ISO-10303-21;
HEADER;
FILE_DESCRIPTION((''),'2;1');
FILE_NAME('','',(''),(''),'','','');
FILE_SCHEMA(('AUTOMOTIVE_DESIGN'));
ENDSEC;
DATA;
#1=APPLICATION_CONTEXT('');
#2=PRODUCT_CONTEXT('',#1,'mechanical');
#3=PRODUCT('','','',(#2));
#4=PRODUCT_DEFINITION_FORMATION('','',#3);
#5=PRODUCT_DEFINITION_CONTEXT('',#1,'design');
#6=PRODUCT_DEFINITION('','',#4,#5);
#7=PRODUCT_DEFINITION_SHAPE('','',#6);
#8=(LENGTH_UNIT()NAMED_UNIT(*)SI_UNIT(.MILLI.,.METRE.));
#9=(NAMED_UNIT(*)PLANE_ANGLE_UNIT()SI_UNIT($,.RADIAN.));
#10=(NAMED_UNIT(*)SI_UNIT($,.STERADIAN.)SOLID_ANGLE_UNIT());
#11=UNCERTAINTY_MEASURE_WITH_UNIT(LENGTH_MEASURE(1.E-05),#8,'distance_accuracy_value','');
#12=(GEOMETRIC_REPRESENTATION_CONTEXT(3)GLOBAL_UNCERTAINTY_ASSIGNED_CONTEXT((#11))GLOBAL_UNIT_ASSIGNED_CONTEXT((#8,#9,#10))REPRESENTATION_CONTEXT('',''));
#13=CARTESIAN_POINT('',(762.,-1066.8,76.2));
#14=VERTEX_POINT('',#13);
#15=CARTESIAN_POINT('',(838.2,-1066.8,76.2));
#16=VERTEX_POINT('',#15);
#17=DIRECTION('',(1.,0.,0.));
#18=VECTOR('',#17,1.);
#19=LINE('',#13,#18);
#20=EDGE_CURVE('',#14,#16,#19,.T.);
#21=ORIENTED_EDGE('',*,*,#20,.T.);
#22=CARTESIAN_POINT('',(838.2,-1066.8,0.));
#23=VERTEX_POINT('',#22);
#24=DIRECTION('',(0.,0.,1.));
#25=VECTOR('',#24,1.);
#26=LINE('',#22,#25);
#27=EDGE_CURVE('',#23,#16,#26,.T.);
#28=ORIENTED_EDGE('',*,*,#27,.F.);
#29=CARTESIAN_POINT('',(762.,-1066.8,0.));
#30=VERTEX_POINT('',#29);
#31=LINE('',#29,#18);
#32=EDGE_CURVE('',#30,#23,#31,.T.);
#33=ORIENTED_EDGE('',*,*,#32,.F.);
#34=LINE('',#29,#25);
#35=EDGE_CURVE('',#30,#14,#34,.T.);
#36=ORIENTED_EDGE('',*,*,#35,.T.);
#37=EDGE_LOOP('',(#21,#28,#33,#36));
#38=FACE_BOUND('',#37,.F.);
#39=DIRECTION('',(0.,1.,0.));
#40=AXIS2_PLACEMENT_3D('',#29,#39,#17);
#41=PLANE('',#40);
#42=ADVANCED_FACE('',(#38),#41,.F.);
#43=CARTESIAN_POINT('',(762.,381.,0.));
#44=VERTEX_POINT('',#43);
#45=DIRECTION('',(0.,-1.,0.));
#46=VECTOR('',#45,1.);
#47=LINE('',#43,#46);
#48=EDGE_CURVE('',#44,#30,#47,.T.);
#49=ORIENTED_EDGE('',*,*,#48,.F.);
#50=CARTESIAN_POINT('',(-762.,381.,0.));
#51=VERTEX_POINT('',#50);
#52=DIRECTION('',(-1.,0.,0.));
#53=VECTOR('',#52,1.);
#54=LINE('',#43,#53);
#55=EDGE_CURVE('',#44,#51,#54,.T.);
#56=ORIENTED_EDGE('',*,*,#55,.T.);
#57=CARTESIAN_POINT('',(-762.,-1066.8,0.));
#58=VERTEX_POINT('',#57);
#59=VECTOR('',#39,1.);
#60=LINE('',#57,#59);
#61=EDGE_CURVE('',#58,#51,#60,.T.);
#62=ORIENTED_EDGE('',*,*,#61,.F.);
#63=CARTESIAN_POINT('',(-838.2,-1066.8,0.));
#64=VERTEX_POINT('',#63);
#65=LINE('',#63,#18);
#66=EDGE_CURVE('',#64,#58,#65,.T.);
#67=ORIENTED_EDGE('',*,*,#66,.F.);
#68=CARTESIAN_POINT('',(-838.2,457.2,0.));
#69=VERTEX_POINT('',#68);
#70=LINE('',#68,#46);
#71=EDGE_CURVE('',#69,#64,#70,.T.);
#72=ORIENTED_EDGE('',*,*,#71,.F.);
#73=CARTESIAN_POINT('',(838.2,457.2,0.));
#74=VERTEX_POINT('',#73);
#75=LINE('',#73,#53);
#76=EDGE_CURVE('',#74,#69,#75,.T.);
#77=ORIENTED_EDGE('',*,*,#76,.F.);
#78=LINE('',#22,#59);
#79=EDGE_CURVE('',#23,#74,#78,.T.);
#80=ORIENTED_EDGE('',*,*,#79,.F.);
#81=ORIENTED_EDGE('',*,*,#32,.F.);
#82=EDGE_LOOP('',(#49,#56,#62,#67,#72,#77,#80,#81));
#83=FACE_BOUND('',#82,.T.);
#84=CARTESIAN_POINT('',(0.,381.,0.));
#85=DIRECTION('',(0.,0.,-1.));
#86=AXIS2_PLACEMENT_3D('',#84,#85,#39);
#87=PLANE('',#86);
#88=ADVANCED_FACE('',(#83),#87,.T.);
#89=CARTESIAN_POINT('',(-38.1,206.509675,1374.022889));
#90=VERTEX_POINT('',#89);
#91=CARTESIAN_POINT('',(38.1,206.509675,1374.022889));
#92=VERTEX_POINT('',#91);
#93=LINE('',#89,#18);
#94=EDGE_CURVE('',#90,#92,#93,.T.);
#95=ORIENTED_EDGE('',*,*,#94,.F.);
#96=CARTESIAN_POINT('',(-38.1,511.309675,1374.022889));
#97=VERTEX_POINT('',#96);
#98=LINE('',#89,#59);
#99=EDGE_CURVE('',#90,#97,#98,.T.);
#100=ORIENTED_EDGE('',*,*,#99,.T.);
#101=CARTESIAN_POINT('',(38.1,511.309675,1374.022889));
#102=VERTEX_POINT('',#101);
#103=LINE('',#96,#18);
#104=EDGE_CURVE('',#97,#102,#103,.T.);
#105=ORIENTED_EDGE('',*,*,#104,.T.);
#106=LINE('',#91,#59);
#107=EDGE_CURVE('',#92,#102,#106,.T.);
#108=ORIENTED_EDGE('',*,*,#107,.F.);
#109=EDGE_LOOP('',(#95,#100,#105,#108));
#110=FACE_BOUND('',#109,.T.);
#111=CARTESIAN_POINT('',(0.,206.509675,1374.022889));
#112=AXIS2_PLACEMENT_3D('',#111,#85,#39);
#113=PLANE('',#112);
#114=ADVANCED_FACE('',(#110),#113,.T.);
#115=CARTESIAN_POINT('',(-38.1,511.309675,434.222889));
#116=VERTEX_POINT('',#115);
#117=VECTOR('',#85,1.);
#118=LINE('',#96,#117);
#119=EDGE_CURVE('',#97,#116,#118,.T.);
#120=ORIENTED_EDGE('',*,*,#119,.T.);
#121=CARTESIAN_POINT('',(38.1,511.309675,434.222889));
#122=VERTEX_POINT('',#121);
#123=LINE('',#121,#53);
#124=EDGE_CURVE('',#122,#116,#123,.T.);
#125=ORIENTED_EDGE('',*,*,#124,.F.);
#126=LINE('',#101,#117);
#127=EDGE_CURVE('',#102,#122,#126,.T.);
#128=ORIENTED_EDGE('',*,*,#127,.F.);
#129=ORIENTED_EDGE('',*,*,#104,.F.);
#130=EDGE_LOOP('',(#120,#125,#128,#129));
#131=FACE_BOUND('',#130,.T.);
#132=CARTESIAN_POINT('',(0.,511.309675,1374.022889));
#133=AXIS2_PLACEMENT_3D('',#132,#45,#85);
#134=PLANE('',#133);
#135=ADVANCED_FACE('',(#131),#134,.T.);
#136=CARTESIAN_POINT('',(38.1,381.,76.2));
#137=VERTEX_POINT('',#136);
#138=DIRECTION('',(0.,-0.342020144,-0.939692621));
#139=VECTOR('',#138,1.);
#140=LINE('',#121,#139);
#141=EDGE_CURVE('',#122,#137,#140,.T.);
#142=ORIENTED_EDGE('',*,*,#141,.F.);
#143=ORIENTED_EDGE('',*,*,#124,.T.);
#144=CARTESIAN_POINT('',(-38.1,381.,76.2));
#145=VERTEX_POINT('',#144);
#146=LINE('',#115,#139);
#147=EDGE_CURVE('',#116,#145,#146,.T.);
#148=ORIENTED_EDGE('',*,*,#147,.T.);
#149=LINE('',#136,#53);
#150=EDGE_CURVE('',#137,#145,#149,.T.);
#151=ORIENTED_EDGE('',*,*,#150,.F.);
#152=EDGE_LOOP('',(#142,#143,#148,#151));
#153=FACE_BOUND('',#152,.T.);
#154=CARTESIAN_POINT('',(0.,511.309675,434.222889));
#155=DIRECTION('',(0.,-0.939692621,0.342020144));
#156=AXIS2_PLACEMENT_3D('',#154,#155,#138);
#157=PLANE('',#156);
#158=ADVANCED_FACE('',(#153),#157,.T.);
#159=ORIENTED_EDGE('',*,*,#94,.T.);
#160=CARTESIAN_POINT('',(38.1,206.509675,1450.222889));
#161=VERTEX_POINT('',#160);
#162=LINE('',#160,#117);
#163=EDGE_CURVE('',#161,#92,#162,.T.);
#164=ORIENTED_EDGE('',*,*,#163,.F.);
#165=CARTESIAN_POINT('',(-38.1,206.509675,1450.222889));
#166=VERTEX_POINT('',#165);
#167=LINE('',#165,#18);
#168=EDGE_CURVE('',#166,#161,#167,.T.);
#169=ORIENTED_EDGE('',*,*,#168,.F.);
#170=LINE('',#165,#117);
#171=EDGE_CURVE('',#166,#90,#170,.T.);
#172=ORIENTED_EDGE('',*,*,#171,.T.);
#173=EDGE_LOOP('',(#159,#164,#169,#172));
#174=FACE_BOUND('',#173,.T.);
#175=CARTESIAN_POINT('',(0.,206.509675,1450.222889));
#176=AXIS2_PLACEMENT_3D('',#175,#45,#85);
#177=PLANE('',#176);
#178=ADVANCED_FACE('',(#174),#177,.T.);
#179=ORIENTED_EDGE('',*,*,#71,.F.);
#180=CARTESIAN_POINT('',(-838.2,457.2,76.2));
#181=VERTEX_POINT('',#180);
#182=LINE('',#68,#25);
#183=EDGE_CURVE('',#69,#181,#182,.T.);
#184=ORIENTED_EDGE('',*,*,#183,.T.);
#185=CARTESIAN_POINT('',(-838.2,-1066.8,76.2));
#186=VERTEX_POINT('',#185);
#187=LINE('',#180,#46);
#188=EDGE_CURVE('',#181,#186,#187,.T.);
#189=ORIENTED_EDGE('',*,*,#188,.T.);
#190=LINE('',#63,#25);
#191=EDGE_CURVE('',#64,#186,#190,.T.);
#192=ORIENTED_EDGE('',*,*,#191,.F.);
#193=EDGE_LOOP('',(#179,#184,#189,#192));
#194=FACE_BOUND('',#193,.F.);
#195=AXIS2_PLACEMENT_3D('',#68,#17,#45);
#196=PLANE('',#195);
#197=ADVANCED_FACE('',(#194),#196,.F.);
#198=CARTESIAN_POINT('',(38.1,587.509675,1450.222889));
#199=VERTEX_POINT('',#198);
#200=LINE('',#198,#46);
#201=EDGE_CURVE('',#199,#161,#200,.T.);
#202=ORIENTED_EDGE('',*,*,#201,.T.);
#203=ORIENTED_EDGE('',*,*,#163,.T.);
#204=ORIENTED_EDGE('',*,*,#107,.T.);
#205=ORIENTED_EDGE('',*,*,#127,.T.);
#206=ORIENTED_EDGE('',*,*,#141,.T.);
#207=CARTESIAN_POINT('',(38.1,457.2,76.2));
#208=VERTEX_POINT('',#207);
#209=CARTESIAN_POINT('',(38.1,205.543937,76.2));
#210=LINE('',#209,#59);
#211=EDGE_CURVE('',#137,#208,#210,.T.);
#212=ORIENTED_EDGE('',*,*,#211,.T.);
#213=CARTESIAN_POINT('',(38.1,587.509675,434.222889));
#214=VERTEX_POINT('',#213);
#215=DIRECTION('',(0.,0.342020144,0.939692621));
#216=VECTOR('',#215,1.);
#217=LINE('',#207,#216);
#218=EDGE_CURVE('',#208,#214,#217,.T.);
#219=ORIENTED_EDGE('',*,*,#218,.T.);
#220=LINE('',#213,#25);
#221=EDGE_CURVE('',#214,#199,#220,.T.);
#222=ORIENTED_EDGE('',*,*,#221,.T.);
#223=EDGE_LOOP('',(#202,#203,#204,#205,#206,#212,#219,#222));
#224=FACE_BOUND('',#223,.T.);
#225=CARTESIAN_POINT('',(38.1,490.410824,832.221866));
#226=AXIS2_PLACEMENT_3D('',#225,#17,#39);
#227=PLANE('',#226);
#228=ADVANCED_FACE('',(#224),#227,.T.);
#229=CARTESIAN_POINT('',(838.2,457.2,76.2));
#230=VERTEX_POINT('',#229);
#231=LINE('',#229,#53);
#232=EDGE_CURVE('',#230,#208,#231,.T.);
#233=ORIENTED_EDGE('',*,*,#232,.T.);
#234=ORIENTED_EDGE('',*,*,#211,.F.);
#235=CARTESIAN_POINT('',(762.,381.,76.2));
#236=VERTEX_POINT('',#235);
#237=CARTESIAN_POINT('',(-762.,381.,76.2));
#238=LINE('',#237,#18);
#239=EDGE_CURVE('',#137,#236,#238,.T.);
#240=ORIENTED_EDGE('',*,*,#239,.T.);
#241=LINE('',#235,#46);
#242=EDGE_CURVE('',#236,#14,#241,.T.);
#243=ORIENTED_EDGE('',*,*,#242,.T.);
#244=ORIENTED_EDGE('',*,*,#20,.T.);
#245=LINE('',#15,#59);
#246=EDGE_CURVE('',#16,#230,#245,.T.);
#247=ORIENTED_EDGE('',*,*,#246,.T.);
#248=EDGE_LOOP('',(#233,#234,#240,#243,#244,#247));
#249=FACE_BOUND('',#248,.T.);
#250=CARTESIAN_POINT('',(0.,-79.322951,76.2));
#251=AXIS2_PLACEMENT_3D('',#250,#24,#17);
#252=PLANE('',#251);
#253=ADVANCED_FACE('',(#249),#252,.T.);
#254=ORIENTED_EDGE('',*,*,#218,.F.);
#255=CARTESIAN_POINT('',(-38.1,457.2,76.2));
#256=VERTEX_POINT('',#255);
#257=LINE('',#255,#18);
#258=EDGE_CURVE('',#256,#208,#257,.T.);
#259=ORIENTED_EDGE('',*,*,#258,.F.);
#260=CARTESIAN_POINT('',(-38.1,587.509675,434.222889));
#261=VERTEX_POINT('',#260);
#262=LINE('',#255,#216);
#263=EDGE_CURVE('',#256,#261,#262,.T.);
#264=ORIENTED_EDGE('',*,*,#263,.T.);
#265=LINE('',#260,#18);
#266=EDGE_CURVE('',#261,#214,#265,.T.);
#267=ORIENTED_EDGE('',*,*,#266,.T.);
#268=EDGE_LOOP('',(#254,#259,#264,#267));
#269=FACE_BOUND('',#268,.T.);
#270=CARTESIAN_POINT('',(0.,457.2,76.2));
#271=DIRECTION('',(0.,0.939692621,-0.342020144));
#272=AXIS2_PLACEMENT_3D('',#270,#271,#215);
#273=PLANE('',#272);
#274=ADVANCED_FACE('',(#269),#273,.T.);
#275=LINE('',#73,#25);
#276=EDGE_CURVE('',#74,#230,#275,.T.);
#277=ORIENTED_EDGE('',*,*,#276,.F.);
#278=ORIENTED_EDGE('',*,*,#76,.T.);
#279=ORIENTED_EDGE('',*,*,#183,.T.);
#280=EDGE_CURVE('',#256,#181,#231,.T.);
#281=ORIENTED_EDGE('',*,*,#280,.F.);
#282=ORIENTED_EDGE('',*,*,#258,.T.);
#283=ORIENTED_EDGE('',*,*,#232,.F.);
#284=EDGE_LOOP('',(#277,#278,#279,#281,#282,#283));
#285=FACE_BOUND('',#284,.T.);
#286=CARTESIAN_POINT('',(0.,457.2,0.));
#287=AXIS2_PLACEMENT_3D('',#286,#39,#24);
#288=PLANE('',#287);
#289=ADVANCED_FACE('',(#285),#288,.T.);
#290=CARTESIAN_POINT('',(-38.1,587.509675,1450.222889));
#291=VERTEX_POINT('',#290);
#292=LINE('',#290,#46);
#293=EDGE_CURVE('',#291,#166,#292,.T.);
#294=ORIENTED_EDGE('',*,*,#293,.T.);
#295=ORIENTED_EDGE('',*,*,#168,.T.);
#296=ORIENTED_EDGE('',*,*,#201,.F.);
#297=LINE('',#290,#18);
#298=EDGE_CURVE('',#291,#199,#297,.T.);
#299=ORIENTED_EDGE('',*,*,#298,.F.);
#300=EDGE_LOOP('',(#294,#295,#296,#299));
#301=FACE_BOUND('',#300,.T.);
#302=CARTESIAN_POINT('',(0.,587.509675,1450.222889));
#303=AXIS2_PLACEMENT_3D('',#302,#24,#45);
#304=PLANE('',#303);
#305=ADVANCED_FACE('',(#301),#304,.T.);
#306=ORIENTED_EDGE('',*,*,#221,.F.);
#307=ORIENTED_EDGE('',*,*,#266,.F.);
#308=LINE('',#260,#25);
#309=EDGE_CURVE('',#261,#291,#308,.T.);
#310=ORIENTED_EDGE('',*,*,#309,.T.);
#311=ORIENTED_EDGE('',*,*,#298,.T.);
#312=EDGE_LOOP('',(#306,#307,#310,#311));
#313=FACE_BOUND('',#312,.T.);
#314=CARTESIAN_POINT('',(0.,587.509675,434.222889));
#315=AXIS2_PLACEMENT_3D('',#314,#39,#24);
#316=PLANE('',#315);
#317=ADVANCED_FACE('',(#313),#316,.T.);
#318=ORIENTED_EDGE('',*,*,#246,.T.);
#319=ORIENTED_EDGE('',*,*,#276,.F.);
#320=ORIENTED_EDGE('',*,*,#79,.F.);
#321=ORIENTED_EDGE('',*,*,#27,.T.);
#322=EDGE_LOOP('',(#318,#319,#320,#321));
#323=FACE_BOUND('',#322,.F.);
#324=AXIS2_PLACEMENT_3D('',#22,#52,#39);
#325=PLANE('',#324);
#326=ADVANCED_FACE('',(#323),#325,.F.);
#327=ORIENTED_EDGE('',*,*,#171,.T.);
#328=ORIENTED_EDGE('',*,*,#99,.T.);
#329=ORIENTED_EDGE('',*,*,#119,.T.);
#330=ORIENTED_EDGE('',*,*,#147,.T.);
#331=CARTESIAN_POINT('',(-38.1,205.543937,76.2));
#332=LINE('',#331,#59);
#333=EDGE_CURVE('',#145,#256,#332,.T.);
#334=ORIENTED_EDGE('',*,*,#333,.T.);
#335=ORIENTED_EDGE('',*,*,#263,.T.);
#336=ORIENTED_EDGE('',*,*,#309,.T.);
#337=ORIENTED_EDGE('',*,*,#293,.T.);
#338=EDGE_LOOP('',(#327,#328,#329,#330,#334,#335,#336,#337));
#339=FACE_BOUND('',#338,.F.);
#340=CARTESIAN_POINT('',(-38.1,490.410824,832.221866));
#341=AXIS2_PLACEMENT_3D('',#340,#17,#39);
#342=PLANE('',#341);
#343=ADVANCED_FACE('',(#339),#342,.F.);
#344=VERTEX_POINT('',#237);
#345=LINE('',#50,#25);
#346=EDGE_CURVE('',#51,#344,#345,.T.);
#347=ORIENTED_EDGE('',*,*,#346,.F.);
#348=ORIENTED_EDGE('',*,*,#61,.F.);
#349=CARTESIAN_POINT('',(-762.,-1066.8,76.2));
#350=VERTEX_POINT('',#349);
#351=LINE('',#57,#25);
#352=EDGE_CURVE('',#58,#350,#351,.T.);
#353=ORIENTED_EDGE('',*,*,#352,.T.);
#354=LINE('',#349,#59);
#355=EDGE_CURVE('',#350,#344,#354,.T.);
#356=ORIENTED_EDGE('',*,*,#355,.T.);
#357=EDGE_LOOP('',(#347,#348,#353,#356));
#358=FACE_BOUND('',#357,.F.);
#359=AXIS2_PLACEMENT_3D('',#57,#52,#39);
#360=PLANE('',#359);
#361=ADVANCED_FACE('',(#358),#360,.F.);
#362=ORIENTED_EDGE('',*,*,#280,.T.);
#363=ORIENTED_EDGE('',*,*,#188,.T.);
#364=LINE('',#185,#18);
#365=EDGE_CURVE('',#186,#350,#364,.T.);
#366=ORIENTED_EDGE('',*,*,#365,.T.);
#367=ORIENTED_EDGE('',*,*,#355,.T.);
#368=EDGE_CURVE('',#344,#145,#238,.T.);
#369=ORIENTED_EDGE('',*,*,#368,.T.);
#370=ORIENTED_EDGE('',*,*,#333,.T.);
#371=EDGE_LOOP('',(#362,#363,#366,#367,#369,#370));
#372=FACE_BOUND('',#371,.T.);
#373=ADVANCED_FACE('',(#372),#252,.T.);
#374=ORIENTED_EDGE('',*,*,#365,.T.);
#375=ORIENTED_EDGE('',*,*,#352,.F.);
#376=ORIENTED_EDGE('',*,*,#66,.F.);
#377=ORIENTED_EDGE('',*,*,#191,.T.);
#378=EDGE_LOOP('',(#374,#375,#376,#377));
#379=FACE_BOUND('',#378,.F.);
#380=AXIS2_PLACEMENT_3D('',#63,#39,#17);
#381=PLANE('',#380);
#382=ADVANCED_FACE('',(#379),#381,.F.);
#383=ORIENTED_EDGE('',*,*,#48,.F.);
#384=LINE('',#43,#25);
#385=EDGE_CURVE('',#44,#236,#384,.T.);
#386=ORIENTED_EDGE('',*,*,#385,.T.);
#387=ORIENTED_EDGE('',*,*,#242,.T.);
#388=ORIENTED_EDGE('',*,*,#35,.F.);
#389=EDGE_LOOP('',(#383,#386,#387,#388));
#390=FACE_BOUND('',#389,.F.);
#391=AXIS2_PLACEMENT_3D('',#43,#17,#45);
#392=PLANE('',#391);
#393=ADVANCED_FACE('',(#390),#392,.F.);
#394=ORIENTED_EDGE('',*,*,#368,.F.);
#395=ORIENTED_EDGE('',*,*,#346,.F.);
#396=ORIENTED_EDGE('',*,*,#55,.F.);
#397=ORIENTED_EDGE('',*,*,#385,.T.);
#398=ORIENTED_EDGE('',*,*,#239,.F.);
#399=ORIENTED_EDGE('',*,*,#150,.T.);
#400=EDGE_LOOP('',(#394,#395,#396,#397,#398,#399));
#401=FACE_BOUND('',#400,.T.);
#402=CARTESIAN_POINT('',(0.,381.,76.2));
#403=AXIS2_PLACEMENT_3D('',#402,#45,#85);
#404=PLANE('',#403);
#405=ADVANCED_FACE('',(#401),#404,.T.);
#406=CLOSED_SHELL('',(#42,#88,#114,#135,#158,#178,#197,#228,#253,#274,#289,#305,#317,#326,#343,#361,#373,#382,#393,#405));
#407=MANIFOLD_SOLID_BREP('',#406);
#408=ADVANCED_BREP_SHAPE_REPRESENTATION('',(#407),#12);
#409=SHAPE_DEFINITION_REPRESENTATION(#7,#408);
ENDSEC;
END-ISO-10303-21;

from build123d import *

# Parameters (mm, degrees)
F1_DEPTH = 76.2
F3_DEPTH = 38.1


with BuildPart() as f1:
    # F0 (on Top) → F1 (new body)
    with BuildSketch(Plane.XY):
        Polygon((-838.2, 457.2), (-838.2, -1066.8), (-762, -1066.8), (-762, 381), (762, 381), (762, -1066.8), (838.2, -1066.8), (838.2, 457.2), align=None)
    extrude(amount=F1_DEPTH)

    # F2 (on Right) → F3 (join, symmetric)
    with BuildSketch(Plane.YZ):
        Polygon((381, 0), (457.2, 0), (457.2, 76.2), (587.509675, 434.222889), (587.509675, 1450.222889), (206.509675, 1450.222889), (206.509675, 1374.022889), (511.309675, 1374.022889), (511.309675, 434.222889), (381, 76.2), align=None)
    extrude(amount=F3_DEPTH, both=True)


solid = f1.part
